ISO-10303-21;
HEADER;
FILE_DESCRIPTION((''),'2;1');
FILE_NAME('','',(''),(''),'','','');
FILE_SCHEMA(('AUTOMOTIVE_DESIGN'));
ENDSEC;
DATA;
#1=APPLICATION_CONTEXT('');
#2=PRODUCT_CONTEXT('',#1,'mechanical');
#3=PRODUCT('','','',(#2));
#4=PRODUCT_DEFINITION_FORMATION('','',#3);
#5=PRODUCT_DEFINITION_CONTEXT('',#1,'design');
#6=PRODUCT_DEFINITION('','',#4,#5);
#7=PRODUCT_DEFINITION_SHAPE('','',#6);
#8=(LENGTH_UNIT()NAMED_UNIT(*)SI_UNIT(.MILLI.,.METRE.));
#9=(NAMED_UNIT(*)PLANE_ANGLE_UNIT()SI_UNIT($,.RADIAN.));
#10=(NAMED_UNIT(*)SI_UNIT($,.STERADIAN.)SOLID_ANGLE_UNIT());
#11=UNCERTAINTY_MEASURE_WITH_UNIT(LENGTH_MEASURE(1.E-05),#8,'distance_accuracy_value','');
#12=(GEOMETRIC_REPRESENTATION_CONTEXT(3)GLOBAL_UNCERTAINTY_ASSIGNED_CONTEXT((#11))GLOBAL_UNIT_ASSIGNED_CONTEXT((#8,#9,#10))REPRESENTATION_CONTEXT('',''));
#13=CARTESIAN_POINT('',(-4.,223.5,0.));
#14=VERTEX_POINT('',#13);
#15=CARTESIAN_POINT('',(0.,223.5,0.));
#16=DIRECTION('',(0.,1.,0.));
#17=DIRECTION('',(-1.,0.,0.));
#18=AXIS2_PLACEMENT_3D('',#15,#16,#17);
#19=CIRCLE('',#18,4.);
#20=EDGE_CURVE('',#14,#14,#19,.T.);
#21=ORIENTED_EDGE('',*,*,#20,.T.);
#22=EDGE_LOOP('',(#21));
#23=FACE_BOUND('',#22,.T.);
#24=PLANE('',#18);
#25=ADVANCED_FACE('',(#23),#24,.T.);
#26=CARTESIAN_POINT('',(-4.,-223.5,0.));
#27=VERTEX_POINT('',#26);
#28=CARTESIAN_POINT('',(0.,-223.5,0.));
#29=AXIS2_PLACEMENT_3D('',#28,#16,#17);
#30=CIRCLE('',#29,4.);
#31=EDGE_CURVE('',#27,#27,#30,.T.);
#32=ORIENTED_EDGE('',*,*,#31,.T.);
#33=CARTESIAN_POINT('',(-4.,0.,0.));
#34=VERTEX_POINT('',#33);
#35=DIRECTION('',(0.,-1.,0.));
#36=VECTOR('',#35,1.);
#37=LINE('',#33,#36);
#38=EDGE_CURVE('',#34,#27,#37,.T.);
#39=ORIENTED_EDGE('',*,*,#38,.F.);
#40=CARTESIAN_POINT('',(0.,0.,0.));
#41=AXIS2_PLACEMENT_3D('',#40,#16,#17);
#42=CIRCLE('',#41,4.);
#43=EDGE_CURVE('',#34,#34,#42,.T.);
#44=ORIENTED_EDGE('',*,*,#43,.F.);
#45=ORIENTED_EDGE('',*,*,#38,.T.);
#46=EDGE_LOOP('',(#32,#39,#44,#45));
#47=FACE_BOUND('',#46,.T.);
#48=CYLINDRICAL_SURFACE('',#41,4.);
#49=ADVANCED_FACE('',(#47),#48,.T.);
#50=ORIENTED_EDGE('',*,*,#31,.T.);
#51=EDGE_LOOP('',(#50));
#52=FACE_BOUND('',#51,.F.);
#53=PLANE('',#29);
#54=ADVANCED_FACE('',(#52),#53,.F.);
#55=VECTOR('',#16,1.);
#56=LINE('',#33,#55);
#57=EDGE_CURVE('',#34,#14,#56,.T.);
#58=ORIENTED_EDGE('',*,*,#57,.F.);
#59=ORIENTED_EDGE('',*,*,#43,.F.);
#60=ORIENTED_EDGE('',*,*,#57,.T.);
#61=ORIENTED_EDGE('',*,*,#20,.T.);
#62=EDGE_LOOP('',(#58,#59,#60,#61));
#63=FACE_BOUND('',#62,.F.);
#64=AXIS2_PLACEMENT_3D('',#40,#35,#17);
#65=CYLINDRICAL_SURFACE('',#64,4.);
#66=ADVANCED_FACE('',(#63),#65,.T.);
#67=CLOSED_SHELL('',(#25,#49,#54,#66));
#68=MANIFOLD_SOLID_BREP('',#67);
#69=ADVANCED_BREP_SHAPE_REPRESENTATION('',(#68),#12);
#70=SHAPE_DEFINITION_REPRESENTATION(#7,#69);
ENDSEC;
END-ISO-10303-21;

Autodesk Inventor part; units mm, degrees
ref_plane "YZ Plane" through (0, 0, 0) normal (1, 0, 0) x (0, 1, 0)
ref_plane "XZ Plane" through (0, 0, 0) normal (0, 1, 0) x (-1, 0, 0)
ref_plane "XY Plane" through (0, 0, 0) normal (0, 0, 1) x (1, 0, 0)
sketch "Эскиз1" plane through (0, 0, 0) normal (0, 1, 0) x (-1, 0, 0)
  circle A0 centre (0, 0) radius 4
  dimension "d0" = 8
extrude "Выдавливание1" add sketch "Эскиз1" along normal mid plane 447
properties part number "rail_381"
